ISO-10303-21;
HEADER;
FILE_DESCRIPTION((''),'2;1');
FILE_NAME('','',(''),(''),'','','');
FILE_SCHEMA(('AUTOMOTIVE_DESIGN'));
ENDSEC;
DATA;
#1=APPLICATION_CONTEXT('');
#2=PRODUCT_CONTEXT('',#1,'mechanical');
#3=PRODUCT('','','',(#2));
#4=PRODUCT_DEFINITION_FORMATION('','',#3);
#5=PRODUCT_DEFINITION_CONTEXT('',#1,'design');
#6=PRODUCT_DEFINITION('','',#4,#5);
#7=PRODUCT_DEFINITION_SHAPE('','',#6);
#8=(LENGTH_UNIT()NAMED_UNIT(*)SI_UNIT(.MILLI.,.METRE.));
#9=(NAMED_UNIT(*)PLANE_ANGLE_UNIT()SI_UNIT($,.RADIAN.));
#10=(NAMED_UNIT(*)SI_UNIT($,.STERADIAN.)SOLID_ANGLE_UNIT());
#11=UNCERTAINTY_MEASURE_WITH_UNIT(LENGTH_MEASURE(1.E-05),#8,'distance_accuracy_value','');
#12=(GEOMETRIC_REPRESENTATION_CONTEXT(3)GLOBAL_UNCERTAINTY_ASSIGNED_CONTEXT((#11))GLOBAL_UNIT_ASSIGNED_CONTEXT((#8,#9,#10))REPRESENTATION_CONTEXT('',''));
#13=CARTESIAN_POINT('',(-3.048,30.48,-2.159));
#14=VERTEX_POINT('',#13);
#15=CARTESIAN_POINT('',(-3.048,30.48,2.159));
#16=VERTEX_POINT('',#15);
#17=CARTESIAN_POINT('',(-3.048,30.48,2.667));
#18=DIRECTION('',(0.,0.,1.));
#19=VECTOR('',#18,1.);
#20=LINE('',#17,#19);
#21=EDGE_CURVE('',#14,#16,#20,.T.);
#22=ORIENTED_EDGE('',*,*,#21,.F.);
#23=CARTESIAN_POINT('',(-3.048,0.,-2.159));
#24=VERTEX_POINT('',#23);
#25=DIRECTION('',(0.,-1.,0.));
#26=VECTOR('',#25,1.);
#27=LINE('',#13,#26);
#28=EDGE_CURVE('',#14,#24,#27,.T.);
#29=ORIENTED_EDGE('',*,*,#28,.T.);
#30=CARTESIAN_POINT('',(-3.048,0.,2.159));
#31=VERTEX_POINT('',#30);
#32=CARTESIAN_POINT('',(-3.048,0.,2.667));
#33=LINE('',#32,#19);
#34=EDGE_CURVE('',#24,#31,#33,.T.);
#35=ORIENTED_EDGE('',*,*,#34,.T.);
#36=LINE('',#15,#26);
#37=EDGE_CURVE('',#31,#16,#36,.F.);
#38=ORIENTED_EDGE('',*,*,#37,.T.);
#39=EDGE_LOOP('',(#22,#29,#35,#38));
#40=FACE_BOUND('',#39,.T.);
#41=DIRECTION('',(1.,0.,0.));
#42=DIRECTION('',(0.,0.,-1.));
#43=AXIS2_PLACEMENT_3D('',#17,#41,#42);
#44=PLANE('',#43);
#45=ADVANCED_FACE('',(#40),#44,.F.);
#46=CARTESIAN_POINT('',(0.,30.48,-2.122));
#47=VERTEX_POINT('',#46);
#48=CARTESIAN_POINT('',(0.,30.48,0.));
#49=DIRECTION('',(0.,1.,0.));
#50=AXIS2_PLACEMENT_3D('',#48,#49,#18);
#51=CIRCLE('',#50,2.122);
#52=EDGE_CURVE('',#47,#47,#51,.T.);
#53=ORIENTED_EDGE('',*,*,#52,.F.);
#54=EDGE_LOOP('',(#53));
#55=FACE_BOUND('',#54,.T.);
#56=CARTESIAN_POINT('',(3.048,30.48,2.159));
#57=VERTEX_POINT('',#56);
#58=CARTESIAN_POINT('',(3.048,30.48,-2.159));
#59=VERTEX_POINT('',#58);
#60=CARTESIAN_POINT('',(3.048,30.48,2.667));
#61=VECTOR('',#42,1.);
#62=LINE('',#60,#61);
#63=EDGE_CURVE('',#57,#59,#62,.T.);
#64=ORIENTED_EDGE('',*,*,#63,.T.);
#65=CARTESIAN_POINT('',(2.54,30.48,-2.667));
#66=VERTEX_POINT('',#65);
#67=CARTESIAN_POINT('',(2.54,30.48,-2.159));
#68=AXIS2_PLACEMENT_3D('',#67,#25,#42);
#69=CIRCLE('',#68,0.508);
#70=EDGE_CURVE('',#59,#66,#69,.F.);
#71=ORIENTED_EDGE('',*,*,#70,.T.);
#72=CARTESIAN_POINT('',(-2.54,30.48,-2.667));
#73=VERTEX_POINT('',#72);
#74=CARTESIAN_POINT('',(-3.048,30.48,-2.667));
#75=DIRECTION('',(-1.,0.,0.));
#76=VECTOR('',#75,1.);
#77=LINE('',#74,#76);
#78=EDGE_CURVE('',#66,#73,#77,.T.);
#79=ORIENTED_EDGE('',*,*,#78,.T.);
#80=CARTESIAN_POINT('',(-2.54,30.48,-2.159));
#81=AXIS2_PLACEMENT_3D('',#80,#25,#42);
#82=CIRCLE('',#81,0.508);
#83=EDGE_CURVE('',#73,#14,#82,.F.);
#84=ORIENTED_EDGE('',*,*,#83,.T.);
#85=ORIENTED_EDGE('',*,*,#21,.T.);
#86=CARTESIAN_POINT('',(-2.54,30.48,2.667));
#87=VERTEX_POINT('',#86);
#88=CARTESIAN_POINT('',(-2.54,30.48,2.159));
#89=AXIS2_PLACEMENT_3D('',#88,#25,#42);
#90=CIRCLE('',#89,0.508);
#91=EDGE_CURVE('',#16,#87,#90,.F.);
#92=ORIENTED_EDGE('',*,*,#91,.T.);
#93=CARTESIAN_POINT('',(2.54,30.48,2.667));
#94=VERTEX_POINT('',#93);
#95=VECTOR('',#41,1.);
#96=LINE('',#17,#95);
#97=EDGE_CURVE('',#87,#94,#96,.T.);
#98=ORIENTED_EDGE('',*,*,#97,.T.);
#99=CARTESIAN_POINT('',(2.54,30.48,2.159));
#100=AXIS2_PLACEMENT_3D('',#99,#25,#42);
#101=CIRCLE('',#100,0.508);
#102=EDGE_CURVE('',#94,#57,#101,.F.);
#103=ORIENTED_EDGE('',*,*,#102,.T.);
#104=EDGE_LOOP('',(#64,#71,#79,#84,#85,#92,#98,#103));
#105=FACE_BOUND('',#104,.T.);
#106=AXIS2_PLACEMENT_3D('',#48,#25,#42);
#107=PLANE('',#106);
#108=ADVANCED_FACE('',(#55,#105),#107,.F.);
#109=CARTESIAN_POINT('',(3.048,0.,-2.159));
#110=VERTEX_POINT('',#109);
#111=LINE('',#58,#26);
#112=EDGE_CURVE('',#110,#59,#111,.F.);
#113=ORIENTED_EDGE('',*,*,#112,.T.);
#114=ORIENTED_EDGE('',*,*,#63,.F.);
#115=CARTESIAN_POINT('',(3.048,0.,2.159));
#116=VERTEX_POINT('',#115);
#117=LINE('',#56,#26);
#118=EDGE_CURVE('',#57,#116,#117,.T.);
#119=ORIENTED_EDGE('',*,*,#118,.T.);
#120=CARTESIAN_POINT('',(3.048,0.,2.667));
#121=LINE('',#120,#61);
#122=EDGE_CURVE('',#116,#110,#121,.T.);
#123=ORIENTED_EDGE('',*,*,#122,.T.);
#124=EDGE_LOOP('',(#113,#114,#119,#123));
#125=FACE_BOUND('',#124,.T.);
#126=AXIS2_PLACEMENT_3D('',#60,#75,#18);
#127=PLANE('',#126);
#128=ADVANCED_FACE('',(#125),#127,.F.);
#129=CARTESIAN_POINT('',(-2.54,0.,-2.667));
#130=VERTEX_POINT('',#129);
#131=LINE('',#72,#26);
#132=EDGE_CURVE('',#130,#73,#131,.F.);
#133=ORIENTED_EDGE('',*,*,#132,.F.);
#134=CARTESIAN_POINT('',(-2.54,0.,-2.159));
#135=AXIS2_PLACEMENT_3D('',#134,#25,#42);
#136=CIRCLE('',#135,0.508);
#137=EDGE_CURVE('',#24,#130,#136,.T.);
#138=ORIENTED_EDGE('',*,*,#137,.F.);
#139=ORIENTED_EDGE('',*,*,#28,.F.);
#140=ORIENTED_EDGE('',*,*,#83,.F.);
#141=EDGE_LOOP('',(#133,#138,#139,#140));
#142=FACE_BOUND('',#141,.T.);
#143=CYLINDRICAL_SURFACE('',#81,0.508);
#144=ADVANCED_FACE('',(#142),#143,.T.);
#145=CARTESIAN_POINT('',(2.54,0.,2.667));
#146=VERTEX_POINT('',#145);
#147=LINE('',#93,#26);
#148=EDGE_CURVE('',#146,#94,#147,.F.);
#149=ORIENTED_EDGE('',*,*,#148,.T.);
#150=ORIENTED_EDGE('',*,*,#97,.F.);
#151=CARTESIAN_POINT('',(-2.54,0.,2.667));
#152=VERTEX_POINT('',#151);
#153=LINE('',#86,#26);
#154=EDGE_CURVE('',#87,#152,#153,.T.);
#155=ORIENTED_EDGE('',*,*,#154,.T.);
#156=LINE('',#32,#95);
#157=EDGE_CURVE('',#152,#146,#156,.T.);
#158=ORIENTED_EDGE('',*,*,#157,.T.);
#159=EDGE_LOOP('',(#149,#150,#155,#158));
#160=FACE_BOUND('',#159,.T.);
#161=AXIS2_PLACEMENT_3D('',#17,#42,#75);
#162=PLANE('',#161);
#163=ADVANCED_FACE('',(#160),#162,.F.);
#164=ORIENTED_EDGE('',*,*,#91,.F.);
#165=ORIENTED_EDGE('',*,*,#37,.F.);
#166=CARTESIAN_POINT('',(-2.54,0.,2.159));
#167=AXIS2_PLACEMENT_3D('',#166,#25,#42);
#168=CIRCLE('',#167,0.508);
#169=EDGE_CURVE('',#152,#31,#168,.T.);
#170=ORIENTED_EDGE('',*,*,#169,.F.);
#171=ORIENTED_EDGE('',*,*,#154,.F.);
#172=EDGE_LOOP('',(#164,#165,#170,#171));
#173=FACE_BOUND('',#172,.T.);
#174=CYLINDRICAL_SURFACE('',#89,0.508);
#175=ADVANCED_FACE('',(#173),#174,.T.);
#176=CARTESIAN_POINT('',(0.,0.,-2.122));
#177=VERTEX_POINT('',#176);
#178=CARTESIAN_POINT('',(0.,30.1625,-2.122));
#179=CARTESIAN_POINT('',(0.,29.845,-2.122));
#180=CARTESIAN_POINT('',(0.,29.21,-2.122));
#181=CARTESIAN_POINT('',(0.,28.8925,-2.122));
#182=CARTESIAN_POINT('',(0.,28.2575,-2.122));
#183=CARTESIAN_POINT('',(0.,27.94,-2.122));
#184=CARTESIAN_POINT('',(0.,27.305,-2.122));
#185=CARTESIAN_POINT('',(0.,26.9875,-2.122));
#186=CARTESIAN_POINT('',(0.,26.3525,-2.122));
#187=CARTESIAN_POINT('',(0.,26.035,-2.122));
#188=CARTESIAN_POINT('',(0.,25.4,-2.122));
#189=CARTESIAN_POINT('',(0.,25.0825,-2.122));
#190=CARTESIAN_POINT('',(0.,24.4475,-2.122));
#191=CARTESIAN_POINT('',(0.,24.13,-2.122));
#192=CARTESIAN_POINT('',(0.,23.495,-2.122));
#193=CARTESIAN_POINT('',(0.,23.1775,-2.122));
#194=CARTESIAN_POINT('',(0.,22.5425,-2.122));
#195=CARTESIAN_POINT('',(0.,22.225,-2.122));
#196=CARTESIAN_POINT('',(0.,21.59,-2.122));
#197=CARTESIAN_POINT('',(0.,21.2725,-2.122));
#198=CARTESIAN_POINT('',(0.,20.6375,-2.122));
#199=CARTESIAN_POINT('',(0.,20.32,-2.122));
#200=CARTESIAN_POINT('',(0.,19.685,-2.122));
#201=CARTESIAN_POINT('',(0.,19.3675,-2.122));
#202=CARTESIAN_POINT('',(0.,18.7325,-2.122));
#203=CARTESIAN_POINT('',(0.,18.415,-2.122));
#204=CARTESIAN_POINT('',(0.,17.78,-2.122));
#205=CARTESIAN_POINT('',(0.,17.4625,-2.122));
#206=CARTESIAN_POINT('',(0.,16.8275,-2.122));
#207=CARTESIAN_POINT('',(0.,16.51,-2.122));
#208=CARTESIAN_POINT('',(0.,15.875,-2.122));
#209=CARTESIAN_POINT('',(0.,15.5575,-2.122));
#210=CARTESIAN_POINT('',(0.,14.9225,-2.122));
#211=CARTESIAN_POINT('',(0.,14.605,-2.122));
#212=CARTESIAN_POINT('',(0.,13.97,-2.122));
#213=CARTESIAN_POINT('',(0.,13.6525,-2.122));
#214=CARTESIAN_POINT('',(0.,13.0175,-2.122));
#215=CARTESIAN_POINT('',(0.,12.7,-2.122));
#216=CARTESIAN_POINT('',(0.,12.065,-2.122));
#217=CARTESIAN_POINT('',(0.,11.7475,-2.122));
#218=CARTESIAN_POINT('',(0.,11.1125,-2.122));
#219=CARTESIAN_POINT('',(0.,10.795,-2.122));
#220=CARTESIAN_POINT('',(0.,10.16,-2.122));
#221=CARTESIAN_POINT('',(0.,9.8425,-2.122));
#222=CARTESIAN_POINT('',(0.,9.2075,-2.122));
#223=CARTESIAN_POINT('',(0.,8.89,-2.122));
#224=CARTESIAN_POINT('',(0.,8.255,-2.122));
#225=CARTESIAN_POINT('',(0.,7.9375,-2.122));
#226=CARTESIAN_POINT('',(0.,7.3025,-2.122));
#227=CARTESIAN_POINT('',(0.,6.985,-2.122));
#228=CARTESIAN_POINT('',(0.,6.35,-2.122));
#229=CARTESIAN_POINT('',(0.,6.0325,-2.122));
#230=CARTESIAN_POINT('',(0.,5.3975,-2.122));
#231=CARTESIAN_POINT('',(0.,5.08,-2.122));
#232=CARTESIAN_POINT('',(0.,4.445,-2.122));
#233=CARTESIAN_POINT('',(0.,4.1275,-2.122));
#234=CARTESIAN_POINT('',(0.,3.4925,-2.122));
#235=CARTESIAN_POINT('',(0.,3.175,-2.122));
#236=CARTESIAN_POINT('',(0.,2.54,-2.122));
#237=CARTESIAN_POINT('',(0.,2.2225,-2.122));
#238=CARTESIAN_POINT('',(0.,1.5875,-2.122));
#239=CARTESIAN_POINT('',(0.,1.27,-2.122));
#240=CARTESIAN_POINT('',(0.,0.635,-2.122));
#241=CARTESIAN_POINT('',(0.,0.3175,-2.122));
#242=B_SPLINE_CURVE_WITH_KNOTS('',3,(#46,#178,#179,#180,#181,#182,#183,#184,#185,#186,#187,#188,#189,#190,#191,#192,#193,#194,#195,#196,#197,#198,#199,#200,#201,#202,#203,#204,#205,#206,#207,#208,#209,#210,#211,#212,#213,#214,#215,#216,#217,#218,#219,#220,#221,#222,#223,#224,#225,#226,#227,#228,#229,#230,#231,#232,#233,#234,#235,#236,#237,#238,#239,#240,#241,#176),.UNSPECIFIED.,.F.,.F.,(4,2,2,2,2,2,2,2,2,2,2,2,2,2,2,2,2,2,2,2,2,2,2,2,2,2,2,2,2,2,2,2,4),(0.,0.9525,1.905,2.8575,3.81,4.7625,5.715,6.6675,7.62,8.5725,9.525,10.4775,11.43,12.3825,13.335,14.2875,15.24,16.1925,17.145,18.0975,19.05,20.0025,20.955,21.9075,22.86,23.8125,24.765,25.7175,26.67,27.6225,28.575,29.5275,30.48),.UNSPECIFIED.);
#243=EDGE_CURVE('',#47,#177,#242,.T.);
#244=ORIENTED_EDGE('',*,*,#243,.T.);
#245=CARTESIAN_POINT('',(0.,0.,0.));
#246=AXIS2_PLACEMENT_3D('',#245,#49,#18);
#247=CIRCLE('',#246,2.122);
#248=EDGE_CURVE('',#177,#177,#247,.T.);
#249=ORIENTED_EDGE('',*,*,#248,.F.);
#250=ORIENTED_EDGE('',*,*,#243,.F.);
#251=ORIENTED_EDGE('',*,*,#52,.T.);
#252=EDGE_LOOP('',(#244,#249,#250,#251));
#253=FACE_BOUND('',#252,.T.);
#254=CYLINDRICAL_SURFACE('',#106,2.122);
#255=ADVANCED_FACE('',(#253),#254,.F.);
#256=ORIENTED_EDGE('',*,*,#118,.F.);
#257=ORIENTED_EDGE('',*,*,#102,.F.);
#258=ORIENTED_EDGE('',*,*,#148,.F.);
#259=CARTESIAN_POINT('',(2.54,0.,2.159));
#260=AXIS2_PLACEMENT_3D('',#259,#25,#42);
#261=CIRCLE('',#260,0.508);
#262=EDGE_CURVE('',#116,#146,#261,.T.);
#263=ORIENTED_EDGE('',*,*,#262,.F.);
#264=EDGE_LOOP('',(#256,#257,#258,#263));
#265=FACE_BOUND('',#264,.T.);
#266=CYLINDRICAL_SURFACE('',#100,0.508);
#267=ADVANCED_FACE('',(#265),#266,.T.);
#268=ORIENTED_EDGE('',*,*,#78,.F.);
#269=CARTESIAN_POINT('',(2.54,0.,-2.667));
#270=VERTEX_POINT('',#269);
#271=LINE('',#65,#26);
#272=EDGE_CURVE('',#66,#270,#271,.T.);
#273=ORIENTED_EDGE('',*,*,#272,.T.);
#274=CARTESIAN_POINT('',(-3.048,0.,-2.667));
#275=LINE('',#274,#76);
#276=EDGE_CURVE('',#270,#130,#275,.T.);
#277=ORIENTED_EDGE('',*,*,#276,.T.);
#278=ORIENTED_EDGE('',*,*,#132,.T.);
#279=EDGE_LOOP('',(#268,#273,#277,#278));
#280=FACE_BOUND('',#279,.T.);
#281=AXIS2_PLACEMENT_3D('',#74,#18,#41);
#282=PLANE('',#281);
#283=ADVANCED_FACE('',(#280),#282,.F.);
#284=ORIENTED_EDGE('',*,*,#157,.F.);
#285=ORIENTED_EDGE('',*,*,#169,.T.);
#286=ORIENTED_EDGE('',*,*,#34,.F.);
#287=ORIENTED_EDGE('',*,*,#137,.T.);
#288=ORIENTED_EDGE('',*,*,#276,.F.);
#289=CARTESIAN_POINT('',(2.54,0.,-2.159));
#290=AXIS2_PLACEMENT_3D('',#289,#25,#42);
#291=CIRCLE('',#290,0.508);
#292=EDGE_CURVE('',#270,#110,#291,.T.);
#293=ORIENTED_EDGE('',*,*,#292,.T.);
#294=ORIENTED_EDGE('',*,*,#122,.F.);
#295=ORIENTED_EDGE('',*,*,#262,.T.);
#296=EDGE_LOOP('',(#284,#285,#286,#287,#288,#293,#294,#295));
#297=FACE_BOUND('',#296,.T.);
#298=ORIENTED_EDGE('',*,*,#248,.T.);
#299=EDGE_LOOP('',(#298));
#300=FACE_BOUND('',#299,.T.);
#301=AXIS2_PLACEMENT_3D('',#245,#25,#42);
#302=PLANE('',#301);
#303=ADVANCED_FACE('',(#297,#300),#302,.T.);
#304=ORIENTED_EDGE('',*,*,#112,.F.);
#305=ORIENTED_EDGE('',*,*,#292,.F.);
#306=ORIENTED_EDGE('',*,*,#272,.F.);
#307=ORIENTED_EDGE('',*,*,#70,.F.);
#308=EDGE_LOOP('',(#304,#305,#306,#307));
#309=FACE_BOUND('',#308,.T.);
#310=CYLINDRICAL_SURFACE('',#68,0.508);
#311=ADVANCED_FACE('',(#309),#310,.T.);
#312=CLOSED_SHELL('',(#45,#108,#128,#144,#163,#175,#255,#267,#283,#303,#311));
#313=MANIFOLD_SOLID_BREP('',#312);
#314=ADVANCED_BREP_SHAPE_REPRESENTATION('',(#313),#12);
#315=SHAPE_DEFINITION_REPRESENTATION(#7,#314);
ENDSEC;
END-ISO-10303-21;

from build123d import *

# Parameters (mm, degrees)
SKETCH1_W           = 6.096
SKETCH1_H           = 5.334
SKETCH1_R           = 2.122
BOSS_EXTRUDE1_DEPTH = 30.48
FILLET1_R           = 0.508


with BuildPart() as part:
    # Sketch1 → Boss-Extrude1 (new body)
    with BuildSketch(Plane(origin=(0, 0, 0), x_dir=(1, 0, 0), z_dir=(0, 1, 0))):
        Rectangle(SKETCH1_W, SKETCH1_H)
        with Locations(Location((0, 0, 0), (0, 0, 90))):
            Circle(SKETCH1_R, mode=Mode.SUBTRACT)
    extrude(amount=BOSS_EXTRUDE1_DEPTH)

    # Fillet1
    fillet1_edges = [part.edges().sort_by_distance(p)[0] for p in [
        (3.048, 15.24, 2.667),
        (-3.048, 15.24, 2.667),
        (-3.048, 15.24, -2.667),
        (3.048, 15.24, -2.667),
    ]]
    fillet(fillet1_edges, radius=FILLET1_R)


solid = part.part
